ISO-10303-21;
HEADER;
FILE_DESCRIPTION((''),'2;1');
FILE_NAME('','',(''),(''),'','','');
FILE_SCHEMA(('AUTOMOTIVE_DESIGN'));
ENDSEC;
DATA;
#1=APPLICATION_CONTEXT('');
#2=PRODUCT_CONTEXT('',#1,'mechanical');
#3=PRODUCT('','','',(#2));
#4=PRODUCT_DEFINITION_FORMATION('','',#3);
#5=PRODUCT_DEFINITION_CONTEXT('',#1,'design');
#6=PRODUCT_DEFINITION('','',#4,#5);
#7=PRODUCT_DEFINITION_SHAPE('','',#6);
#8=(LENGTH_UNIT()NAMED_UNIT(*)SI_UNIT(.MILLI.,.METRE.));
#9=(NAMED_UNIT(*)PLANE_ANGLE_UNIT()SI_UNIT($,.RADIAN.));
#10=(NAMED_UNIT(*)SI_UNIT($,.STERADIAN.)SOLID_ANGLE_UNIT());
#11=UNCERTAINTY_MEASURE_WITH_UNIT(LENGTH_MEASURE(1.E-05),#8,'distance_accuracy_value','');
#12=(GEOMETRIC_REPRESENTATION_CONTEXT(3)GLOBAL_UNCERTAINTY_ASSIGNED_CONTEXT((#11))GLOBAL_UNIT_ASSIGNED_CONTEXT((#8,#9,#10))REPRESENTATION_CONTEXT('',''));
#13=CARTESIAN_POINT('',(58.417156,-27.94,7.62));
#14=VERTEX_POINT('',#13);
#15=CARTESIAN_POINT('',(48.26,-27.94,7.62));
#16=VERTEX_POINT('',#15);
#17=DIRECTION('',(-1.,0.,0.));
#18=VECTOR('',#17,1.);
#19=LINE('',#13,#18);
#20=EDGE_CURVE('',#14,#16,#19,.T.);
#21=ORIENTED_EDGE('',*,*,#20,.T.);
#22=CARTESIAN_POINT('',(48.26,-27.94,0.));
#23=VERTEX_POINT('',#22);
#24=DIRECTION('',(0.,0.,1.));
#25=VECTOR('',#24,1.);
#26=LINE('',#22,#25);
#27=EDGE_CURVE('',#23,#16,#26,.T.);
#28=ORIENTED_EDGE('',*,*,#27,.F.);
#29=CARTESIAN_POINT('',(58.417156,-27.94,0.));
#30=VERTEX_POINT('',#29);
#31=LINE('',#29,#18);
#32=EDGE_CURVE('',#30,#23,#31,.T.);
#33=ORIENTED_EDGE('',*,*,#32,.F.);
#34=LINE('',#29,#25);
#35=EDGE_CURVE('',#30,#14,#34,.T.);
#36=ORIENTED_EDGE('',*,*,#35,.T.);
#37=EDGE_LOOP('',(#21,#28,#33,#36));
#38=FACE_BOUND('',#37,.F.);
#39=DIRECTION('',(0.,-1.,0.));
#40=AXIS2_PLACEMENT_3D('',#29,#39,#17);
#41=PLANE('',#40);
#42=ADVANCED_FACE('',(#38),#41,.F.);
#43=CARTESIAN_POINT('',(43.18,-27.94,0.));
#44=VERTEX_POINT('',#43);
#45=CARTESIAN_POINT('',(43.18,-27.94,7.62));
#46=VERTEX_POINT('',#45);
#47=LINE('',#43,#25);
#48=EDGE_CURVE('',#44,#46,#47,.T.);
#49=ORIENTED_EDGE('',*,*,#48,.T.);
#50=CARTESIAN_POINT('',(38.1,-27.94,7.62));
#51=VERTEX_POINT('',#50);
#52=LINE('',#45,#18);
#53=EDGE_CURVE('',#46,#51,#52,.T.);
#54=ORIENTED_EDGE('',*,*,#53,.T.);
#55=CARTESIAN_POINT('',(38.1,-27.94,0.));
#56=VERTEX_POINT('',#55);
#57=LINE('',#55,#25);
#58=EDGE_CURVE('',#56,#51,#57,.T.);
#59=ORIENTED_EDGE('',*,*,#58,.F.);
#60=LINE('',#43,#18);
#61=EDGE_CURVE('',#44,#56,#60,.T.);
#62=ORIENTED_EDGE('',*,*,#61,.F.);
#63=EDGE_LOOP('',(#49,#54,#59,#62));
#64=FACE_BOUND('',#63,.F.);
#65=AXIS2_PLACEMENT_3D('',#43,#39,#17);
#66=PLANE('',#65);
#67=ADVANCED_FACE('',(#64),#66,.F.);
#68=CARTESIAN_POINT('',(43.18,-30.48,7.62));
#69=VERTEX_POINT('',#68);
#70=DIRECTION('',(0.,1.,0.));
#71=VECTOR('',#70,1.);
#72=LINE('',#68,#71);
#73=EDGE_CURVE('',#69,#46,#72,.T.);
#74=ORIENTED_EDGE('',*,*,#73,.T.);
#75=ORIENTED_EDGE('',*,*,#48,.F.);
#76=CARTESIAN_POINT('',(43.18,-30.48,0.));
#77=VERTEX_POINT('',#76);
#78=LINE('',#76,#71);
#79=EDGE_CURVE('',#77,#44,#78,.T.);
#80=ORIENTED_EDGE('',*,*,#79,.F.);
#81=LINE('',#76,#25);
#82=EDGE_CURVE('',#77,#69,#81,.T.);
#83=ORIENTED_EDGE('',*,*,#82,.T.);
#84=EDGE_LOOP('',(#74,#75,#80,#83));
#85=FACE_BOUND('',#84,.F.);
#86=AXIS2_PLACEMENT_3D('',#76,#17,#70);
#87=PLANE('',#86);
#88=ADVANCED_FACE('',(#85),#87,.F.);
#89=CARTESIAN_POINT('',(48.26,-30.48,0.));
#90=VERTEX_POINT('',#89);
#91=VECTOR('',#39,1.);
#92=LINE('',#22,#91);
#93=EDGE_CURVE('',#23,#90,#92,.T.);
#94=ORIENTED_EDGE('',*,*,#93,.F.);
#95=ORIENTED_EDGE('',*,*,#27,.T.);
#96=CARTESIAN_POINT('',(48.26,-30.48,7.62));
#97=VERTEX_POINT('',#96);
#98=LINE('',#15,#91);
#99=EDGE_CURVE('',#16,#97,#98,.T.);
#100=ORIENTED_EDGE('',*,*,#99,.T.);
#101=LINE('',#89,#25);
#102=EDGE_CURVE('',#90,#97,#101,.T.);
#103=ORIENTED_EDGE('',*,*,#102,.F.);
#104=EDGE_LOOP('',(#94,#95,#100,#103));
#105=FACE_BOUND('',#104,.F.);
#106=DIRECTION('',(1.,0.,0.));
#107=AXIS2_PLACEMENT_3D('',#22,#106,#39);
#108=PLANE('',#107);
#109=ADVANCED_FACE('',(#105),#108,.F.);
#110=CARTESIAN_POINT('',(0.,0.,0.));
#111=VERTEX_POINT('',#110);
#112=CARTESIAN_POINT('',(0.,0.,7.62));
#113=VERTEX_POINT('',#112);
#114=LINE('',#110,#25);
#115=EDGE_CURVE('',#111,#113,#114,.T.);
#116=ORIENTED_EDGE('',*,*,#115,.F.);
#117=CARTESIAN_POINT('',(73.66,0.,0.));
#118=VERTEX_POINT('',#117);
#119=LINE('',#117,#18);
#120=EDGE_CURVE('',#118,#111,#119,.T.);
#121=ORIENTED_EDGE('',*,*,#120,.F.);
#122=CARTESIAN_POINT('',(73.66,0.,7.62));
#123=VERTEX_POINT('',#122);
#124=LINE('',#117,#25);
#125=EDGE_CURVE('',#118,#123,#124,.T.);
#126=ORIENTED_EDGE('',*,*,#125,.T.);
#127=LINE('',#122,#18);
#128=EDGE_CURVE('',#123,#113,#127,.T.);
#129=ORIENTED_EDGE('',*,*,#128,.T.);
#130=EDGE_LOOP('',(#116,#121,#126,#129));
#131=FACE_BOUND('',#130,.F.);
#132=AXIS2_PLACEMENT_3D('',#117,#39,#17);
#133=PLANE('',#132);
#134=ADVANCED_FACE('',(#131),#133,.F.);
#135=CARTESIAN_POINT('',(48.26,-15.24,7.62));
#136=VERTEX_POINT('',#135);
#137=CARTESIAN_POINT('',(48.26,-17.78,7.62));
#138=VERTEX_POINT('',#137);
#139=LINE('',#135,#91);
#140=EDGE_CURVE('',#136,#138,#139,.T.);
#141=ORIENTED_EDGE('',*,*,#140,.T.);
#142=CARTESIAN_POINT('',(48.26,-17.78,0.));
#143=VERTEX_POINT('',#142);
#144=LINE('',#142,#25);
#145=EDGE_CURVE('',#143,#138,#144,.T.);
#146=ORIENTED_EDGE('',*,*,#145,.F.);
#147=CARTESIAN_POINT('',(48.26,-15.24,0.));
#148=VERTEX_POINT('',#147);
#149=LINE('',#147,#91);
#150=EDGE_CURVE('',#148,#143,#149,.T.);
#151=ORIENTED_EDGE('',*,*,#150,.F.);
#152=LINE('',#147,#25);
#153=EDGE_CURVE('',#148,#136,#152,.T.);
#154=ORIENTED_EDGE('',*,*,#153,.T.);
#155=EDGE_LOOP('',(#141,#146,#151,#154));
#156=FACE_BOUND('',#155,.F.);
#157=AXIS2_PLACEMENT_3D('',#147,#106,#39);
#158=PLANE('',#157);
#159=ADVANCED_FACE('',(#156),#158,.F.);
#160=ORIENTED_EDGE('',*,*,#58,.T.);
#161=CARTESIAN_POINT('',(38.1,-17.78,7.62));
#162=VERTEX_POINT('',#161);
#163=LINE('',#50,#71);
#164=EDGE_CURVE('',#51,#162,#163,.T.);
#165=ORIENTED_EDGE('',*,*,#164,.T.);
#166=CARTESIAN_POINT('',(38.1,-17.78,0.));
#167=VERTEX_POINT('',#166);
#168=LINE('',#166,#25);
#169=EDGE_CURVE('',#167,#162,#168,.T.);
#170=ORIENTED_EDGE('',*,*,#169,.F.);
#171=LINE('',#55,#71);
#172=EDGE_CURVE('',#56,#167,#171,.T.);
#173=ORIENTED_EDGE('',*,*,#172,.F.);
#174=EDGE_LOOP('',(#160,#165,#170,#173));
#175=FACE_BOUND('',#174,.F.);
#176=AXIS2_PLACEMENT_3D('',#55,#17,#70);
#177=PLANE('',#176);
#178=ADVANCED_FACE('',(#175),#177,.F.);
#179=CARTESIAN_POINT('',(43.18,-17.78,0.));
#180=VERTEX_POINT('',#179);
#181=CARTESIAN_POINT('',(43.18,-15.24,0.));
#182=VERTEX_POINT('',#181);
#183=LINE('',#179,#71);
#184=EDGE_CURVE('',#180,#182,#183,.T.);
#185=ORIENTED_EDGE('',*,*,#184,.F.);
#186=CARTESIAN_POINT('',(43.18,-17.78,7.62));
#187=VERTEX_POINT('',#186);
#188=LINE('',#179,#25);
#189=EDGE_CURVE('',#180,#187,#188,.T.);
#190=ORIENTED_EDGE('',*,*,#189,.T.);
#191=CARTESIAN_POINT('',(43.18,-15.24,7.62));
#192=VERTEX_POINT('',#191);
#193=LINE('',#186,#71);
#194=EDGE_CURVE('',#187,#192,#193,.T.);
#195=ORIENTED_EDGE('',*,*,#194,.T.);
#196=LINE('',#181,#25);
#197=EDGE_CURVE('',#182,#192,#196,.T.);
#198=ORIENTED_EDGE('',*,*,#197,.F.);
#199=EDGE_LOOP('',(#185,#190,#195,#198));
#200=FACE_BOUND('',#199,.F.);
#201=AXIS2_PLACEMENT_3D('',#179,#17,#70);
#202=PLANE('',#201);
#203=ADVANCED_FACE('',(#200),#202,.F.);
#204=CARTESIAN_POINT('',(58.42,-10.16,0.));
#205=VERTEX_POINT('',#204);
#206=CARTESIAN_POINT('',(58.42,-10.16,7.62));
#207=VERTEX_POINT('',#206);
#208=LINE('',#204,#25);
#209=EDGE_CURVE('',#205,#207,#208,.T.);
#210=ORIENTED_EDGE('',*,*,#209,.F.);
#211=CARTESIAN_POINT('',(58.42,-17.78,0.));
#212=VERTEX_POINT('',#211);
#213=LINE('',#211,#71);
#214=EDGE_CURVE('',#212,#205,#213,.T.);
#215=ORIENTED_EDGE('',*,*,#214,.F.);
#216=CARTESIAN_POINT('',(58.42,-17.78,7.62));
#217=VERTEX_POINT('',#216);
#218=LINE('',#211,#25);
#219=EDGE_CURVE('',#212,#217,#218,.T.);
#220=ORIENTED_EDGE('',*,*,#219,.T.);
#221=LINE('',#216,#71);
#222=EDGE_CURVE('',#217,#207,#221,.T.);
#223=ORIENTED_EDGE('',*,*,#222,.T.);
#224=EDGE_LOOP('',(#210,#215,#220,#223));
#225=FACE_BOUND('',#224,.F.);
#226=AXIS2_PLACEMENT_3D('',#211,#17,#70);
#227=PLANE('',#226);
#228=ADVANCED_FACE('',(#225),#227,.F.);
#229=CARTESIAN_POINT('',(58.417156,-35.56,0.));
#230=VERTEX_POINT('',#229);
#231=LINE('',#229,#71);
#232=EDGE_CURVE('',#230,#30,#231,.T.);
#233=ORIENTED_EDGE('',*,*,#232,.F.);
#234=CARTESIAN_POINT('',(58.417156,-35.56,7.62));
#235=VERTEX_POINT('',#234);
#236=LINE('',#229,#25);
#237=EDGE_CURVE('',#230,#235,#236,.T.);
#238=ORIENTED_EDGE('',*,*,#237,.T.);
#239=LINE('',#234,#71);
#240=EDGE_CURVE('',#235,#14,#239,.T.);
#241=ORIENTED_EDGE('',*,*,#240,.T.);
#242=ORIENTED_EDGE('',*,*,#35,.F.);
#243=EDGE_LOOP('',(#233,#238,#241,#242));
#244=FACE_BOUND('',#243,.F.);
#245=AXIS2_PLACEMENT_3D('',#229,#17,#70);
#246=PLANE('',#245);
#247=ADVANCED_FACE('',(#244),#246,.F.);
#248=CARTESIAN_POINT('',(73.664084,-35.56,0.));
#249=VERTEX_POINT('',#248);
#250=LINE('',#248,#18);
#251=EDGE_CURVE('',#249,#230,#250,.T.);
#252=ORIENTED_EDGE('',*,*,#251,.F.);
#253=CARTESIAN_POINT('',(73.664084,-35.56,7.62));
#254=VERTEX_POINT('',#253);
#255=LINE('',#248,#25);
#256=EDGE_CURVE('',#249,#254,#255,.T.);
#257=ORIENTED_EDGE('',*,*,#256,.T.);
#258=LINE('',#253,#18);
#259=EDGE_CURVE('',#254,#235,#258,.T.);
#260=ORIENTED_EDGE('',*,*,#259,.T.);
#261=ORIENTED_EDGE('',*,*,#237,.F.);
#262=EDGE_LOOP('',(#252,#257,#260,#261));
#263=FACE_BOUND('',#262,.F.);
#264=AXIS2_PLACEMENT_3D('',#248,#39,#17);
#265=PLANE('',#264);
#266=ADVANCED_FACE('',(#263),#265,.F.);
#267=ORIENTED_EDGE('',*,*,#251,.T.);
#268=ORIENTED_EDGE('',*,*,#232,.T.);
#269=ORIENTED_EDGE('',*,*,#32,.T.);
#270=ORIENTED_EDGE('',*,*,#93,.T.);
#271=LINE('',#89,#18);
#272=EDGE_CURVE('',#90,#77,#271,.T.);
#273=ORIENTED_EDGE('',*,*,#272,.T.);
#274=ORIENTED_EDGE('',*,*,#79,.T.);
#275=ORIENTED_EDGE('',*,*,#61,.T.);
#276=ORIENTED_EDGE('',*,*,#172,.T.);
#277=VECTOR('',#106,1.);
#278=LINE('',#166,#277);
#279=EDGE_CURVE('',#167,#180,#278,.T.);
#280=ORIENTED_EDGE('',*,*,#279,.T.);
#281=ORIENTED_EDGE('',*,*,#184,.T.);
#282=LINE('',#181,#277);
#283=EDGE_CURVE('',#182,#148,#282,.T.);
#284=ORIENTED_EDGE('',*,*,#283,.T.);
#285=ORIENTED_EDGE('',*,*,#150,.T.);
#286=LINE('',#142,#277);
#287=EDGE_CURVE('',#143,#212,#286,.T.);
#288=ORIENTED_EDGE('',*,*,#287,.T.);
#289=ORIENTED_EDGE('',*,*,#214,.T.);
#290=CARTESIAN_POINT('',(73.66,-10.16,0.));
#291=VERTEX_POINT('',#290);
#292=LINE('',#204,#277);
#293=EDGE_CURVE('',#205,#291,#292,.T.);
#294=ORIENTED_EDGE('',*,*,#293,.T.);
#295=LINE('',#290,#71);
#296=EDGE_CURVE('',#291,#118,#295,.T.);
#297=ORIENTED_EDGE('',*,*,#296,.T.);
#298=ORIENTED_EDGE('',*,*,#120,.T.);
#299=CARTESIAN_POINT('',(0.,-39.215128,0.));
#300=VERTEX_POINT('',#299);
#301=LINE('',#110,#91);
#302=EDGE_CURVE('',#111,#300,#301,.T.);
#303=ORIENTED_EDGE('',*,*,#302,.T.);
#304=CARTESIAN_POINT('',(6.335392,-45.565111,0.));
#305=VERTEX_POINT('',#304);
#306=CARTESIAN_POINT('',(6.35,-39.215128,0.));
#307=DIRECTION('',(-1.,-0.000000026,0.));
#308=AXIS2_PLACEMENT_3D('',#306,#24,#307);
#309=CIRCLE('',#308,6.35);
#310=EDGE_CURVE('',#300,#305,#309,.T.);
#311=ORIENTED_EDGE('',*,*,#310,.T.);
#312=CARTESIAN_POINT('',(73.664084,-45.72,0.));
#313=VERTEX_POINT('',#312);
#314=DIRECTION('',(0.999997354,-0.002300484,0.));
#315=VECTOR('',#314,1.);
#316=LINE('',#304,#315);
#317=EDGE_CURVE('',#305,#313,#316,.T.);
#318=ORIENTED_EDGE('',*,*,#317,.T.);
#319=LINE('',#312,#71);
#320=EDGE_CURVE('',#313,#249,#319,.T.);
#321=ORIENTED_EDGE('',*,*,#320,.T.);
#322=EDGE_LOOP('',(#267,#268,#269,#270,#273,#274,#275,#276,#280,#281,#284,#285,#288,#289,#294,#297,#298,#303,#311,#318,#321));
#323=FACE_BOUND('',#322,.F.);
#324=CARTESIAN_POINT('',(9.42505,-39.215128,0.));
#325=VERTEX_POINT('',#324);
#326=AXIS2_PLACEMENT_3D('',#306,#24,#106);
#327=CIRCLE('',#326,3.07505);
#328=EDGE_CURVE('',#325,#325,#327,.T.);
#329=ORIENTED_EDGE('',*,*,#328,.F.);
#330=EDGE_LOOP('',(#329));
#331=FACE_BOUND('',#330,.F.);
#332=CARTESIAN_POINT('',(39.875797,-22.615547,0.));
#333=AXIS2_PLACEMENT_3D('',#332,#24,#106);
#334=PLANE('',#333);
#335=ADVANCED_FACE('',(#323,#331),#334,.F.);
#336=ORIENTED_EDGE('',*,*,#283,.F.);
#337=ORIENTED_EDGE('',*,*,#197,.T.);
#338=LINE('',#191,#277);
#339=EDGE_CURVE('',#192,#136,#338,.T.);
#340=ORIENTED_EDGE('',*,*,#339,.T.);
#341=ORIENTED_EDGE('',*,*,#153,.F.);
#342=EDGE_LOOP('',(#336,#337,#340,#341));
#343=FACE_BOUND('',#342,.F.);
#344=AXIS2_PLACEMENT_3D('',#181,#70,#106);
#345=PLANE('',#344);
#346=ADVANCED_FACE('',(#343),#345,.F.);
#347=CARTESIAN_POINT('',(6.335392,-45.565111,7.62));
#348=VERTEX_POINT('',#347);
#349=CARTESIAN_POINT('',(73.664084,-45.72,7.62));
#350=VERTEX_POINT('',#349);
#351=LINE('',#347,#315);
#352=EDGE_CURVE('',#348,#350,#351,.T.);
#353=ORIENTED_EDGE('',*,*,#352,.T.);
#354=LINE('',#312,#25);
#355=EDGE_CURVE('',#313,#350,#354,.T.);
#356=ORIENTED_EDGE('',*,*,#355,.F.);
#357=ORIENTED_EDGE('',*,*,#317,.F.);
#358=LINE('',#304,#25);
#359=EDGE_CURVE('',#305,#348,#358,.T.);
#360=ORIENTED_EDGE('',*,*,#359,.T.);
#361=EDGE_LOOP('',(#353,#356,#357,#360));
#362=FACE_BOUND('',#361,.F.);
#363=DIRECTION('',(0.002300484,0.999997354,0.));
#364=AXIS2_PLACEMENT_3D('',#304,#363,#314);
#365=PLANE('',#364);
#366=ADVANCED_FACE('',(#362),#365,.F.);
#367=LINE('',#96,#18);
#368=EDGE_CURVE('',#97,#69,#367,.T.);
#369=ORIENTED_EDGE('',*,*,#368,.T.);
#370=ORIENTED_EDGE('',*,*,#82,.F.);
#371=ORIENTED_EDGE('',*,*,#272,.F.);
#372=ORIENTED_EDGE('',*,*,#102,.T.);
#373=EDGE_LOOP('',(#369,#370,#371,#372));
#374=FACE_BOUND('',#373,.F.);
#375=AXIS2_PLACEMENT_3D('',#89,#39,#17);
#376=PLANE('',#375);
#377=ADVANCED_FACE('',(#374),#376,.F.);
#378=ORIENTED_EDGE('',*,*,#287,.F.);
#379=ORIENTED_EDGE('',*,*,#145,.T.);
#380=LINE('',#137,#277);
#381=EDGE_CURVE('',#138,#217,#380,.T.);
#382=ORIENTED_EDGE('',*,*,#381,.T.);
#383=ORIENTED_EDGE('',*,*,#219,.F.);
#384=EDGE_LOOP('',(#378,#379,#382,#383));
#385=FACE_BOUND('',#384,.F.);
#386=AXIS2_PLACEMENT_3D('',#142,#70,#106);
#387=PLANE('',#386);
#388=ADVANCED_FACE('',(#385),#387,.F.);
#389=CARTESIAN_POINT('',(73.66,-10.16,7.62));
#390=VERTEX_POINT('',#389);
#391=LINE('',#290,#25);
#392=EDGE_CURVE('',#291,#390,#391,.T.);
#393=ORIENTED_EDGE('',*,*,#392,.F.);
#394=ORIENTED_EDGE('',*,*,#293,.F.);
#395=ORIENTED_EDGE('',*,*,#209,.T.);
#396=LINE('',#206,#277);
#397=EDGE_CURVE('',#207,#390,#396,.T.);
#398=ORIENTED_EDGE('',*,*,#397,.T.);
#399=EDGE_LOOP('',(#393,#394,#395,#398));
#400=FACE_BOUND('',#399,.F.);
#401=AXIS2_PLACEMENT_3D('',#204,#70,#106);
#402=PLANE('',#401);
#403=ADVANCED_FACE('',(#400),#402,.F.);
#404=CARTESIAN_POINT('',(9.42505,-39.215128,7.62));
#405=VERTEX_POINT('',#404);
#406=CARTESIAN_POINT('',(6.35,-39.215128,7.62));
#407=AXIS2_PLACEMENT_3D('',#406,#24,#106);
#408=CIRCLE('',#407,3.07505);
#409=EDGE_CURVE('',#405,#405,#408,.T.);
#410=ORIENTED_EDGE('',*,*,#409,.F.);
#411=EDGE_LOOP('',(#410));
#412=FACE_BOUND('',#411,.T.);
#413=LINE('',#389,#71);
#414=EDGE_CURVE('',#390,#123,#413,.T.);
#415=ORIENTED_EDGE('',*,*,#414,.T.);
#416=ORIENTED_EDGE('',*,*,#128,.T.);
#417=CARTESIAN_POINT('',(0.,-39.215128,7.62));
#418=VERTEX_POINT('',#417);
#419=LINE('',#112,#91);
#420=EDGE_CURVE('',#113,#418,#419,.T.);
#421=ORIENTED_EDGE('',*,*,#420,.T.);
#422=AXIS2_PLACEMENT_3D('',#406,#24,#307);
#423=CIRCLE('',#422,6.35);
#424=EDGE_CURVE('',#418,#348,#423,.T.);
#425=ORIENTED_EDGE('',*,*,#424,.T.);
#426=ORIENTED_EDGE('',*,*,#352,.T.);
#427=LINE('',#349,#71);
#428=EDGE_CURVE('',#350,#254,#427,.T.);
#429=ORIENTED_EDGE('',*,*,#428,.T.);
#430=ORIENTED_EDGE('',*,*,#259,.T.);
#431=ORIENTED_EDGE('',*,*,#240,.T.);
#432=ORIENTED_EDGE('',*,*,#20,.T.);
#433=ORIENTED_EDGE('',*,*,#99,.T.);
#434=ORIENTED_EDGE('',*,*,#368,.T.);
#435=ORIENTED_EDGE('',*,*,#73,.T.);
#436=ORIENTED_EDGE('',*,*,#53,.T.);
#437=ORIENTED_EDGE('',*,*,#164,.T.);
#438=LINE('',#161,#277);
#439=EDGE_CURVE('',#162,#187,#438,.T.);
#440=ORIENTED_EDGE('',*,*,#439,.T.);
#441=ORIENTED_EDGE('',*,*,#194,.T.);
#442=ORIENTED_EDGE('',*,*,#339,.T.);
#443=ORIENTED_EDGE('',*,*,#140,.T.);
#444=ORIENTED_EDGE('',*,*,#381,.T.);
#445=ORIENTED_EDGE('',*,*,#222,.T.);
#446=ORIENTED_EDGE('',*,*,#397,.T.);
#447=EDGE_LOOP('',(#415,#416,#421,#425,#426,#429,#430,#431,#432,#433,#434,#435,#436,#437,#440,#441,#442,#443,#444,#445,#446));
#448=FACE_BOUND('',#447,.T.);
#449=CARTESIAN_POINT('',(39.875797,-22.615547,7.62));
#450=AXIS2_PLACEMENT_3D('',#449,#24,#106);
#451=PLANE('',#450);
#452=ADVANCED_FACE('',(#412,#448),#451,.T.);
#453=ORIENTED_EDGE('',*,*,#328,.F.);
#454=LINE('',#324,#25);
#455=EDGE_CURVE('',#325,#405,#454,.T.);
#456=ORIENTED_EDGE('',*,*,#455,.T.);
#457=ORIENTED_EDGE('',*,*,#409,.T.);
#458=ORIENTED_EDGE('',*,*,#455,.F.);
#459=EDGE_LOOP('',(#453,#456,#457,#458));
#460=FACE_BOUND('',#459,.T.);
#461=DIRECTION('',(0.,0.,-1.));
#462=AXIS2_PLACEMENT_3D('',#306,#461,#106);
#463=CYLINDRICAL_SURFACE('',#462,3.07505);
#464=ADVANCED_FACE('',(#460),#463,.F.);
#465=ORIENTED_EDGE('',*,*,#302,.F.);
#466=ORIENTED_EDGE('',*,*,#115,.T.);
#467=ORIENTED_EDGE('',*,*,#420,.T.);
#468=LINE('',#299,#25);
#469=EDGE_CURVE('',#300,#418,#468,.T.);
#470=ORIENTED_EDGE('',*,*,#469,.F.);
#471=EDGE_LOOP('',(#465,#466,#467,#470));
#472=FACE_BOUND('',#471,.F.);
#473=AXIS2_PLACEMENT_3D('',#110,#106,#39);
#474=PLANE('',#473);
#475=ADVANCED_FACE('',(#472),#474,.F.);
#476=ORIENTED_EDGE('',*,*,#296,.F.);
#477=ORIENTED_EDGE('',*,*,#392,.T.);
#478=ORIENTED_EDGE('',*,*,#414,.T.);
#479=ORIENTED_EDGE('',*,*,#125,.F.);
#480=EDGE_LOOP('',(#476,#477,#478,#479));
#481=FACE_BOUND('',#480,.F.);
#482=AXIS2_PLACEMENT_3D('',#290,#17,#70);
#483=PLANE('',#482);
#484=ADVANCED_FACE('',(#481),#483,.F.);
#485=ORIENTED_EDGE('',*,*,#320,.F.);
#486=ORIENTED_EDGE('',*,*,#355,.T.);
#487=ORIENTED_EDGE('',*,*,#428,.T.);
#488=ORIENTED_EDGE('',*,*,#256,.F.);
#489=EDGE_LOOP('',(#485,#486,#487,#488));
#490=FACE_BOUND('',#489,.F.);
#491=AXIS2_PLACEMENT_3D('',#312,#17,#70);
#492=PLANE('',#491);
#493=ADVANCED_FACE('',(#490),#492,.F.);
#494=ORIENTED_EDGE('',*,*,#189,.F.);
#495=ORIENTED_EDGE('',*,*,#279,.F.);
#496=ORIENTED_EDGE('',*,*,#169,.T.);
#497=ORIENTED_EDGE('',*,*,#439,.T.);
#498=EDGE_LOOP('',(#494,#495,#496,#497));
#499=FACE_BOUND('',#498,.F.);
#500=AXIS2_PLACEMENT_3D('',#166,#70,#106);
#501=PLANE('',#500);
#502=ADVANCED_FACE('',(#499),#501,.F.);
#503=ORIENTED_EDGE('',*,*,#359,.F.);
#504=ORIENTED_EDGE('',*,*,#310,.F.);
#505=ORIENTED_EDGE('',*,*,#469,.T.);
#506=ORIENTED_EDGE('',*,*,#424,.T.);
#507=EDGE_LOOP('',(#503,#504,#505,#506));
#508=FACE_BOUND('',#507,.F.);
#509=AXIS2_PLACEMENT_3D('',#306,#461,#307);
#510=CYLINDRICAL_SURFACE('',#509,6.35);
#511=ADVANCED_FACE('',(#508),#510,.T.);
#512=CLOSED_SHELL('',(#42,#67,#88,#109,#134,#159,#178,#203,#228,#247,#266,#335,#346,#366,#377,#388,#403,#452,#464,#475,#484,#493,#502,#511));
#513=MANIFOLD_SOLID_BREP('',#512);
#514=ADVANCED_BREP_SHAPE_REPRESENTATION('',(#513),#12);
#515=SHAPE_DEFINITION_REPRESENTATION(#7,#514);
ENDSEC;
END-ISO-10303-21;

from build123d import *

# Parameters (mm, degrees)
F0_R     = 3.07505
F1_DEPTH = 7.62


with BuildPart() as f1:
    # F0 (on Top) → F1 (new body)
    with BuildSketch(Plane.XY):
        with BuildLine():
            Line((73.66, 0), (0, 0))
            Line((0, 0), (0, -39.215128))
            ThreePointArc((0, -39.215128), (1.85471, -43.700088), (6.335392, -45.565111))
            Line((6.335392, -45.565111), (73.664084, -45.72))
            Line((73.664084, -45.72), (73.664084, -35.56))
            Line((73.664084, -35.56), (58.417156, -35.56))
            Line((58.417156, -35.56), (58.417156, -27.94))
            Line((58.417156, -27.94), (48.26, -27.94))
            Line((48.26, -27.94), (48.26, -30.48))
            Line((48.26, -30.48), (43.18, -30.48))
            Line((43.18, -30.48), (43.18, -27.94))
            Line((43.18, -27.94), (38.1, -27.94))
            Line((38.1, -27.94), (38.1, -17.78))
            Line((38.1, -17.78), (43.18, -17.78))
            Line((43.18, -17.78), (43.18, -15.24))
            Line((43.18, -15.24), (48.26, -15.24))
            Line((48.26, -15.24), (48.26, -17.78))
            Line((48.26, -17.78), (58.42, -17.78))
            Line((58.42, -17.78), (58.42, -10.16))
            Line((58.42, -10.16), (73.66, -10.16))
            Line((73.66, -10.16), (73.66, 0))
        make_face()
        with Locations((6.35, -39.215128)):
            Circle(F0_R, mode=Mode.SUBTRACT)
    extrude(amount=F1_DEPTH)


solid = f1.part
